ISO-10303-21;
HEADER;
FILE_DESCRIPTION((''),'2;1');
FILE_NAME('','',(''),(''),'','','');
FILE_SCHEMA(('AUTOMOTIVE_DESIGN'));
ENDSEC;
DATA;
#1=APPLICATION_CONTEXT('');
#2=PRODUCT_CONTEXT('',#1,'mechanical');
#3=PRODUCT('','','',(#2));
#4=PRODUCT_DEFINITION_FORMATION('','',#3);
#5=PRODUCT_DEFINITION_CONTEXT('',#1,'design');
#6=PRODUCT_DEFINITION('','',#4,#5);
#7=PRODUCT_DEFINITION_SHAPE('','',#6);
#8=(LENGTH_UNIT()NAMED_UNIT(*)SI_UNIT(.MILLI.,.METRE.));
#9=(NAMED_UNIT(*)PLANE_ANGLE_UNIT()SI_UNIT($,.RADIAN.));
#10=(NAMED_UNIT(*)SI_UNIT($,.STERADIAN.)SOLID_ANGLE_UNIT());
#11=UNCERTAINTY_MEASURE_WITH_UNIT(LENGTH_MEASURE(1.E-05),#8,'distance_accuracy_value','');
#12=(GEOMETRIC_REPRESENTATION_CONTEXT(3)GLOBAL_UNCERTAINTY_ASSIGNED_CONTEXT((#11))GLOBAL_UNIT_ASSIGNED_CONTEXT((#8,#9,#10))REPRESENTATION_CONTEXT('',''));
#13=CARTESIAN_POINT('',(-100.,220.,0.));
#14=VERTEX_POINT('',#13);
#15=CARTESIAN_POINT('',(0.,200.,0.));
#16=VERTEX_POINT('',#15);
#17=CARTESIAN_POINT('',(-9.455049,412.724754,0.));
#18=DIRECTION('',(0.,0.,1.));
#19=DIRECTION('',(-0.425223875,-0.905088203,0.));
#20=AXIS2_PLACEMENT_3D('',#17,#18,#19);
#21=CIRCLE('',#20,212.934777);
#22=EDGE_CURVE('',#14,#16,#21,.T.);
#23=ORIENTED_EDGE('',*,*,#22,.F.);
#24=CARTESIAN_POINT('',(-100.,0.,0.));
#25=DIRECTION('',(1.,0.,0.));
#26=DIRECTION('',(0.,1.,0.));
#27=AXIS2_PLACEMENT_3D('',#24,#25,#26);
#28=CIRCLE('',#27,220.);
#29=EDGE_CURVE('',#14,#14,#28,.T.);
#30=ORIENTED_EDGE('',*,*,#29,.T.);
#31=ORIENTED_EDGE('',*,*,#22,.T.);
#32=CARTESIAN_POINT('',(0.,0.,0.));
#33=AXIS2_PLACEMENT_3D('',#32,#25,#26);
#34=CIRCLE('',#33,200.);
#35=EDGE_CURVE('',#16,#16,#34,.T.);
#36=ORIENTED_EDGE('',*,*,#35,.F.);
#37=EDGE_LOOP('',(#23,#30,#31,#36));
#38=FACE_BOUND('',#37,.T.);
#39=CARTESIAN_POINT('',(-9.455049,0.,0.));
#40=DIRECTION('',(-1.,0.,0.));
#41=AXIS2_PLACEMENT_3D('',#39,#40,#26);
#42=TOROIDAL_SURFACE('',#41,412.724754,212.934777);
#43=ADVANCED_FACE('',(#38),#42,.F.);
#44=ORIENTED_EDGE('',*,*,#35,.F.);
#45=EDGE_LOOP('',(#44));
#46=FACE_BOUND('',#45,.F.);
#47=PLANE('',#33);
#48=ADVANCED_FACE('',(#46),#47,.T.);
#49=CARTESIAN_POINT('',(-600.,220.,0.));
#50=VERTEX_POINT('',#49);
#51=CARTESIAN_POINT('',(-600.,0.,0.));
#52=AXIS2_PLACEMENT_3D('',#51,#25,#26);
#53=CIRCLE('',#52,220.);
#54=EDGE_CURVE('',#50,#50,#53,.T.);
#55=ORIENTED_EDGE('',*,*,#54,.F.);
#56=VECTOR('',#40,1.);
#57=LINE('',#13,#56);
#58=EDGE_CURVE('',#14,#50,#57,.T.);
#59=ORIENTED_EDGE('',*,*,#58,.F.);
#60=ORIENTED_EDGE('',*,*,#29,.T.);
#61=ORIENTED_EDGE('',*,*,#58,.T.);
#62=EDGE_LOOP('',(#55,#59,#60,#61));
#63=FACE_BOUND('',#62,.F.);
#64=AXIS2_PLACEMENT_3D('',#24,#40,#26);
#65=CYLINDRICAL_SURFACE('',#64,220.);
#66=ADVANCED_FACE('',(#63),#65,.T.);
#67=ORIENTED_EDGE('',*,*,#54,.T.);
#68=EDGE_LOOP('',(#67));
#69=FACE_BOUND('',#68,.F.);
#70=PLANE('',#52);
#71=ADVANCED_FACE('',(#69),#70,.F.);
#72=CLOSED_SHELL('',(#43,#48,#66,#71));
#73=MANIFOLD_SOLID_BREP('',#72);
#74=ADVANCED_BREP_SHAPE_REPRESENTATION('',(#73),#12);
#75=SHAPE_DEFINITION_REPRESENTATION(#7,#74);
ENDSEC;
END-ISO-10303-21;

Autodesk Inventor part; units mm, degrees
ref_plane "XZ Plane" through (0, 0, 0) normal (0, 1, 0) x (-1, 0, 0)
sketch "Boceto1" plane through (0, 0, 0) normal (0, 0, 1) x (1, 0, 0)
  line L0 (0, 0) -> (0, 200)
  arc A0 (-100, 220) -> (0, 200) centre (-9.4551, 412.7246) ccw
  line L1 (-100, 220) -> (-600, 220)
  line L2 (0, 0) -> (-500, 0)
  line L3 (-600, 220) -> (-600, 0)
  line L4 (-600, 0) -> (0, 0)
revolve "Revolución1" add sketch "Boceto1" angle 360 about axis through (-600, 0, 0) along (1, 0, 0)
ref_plane "Plano de trabajo1" through (0, 0, 200) normal (0, 0, 1) x (1, 0, 0)
ref_plane "Plano de trabajo2" through (210, 0, 0) normal (1, 0, 0) x (0, 1, 0)
sketch "Boceto2" plane through (0, 0, 0) normal (1, 0, 0) x (0, 1, 0)
  line L0 (0, 0) -> (50, 0)
  line L1 (0, 0) -> (50, 0)
properties part number "Pieza2_Lab062"
